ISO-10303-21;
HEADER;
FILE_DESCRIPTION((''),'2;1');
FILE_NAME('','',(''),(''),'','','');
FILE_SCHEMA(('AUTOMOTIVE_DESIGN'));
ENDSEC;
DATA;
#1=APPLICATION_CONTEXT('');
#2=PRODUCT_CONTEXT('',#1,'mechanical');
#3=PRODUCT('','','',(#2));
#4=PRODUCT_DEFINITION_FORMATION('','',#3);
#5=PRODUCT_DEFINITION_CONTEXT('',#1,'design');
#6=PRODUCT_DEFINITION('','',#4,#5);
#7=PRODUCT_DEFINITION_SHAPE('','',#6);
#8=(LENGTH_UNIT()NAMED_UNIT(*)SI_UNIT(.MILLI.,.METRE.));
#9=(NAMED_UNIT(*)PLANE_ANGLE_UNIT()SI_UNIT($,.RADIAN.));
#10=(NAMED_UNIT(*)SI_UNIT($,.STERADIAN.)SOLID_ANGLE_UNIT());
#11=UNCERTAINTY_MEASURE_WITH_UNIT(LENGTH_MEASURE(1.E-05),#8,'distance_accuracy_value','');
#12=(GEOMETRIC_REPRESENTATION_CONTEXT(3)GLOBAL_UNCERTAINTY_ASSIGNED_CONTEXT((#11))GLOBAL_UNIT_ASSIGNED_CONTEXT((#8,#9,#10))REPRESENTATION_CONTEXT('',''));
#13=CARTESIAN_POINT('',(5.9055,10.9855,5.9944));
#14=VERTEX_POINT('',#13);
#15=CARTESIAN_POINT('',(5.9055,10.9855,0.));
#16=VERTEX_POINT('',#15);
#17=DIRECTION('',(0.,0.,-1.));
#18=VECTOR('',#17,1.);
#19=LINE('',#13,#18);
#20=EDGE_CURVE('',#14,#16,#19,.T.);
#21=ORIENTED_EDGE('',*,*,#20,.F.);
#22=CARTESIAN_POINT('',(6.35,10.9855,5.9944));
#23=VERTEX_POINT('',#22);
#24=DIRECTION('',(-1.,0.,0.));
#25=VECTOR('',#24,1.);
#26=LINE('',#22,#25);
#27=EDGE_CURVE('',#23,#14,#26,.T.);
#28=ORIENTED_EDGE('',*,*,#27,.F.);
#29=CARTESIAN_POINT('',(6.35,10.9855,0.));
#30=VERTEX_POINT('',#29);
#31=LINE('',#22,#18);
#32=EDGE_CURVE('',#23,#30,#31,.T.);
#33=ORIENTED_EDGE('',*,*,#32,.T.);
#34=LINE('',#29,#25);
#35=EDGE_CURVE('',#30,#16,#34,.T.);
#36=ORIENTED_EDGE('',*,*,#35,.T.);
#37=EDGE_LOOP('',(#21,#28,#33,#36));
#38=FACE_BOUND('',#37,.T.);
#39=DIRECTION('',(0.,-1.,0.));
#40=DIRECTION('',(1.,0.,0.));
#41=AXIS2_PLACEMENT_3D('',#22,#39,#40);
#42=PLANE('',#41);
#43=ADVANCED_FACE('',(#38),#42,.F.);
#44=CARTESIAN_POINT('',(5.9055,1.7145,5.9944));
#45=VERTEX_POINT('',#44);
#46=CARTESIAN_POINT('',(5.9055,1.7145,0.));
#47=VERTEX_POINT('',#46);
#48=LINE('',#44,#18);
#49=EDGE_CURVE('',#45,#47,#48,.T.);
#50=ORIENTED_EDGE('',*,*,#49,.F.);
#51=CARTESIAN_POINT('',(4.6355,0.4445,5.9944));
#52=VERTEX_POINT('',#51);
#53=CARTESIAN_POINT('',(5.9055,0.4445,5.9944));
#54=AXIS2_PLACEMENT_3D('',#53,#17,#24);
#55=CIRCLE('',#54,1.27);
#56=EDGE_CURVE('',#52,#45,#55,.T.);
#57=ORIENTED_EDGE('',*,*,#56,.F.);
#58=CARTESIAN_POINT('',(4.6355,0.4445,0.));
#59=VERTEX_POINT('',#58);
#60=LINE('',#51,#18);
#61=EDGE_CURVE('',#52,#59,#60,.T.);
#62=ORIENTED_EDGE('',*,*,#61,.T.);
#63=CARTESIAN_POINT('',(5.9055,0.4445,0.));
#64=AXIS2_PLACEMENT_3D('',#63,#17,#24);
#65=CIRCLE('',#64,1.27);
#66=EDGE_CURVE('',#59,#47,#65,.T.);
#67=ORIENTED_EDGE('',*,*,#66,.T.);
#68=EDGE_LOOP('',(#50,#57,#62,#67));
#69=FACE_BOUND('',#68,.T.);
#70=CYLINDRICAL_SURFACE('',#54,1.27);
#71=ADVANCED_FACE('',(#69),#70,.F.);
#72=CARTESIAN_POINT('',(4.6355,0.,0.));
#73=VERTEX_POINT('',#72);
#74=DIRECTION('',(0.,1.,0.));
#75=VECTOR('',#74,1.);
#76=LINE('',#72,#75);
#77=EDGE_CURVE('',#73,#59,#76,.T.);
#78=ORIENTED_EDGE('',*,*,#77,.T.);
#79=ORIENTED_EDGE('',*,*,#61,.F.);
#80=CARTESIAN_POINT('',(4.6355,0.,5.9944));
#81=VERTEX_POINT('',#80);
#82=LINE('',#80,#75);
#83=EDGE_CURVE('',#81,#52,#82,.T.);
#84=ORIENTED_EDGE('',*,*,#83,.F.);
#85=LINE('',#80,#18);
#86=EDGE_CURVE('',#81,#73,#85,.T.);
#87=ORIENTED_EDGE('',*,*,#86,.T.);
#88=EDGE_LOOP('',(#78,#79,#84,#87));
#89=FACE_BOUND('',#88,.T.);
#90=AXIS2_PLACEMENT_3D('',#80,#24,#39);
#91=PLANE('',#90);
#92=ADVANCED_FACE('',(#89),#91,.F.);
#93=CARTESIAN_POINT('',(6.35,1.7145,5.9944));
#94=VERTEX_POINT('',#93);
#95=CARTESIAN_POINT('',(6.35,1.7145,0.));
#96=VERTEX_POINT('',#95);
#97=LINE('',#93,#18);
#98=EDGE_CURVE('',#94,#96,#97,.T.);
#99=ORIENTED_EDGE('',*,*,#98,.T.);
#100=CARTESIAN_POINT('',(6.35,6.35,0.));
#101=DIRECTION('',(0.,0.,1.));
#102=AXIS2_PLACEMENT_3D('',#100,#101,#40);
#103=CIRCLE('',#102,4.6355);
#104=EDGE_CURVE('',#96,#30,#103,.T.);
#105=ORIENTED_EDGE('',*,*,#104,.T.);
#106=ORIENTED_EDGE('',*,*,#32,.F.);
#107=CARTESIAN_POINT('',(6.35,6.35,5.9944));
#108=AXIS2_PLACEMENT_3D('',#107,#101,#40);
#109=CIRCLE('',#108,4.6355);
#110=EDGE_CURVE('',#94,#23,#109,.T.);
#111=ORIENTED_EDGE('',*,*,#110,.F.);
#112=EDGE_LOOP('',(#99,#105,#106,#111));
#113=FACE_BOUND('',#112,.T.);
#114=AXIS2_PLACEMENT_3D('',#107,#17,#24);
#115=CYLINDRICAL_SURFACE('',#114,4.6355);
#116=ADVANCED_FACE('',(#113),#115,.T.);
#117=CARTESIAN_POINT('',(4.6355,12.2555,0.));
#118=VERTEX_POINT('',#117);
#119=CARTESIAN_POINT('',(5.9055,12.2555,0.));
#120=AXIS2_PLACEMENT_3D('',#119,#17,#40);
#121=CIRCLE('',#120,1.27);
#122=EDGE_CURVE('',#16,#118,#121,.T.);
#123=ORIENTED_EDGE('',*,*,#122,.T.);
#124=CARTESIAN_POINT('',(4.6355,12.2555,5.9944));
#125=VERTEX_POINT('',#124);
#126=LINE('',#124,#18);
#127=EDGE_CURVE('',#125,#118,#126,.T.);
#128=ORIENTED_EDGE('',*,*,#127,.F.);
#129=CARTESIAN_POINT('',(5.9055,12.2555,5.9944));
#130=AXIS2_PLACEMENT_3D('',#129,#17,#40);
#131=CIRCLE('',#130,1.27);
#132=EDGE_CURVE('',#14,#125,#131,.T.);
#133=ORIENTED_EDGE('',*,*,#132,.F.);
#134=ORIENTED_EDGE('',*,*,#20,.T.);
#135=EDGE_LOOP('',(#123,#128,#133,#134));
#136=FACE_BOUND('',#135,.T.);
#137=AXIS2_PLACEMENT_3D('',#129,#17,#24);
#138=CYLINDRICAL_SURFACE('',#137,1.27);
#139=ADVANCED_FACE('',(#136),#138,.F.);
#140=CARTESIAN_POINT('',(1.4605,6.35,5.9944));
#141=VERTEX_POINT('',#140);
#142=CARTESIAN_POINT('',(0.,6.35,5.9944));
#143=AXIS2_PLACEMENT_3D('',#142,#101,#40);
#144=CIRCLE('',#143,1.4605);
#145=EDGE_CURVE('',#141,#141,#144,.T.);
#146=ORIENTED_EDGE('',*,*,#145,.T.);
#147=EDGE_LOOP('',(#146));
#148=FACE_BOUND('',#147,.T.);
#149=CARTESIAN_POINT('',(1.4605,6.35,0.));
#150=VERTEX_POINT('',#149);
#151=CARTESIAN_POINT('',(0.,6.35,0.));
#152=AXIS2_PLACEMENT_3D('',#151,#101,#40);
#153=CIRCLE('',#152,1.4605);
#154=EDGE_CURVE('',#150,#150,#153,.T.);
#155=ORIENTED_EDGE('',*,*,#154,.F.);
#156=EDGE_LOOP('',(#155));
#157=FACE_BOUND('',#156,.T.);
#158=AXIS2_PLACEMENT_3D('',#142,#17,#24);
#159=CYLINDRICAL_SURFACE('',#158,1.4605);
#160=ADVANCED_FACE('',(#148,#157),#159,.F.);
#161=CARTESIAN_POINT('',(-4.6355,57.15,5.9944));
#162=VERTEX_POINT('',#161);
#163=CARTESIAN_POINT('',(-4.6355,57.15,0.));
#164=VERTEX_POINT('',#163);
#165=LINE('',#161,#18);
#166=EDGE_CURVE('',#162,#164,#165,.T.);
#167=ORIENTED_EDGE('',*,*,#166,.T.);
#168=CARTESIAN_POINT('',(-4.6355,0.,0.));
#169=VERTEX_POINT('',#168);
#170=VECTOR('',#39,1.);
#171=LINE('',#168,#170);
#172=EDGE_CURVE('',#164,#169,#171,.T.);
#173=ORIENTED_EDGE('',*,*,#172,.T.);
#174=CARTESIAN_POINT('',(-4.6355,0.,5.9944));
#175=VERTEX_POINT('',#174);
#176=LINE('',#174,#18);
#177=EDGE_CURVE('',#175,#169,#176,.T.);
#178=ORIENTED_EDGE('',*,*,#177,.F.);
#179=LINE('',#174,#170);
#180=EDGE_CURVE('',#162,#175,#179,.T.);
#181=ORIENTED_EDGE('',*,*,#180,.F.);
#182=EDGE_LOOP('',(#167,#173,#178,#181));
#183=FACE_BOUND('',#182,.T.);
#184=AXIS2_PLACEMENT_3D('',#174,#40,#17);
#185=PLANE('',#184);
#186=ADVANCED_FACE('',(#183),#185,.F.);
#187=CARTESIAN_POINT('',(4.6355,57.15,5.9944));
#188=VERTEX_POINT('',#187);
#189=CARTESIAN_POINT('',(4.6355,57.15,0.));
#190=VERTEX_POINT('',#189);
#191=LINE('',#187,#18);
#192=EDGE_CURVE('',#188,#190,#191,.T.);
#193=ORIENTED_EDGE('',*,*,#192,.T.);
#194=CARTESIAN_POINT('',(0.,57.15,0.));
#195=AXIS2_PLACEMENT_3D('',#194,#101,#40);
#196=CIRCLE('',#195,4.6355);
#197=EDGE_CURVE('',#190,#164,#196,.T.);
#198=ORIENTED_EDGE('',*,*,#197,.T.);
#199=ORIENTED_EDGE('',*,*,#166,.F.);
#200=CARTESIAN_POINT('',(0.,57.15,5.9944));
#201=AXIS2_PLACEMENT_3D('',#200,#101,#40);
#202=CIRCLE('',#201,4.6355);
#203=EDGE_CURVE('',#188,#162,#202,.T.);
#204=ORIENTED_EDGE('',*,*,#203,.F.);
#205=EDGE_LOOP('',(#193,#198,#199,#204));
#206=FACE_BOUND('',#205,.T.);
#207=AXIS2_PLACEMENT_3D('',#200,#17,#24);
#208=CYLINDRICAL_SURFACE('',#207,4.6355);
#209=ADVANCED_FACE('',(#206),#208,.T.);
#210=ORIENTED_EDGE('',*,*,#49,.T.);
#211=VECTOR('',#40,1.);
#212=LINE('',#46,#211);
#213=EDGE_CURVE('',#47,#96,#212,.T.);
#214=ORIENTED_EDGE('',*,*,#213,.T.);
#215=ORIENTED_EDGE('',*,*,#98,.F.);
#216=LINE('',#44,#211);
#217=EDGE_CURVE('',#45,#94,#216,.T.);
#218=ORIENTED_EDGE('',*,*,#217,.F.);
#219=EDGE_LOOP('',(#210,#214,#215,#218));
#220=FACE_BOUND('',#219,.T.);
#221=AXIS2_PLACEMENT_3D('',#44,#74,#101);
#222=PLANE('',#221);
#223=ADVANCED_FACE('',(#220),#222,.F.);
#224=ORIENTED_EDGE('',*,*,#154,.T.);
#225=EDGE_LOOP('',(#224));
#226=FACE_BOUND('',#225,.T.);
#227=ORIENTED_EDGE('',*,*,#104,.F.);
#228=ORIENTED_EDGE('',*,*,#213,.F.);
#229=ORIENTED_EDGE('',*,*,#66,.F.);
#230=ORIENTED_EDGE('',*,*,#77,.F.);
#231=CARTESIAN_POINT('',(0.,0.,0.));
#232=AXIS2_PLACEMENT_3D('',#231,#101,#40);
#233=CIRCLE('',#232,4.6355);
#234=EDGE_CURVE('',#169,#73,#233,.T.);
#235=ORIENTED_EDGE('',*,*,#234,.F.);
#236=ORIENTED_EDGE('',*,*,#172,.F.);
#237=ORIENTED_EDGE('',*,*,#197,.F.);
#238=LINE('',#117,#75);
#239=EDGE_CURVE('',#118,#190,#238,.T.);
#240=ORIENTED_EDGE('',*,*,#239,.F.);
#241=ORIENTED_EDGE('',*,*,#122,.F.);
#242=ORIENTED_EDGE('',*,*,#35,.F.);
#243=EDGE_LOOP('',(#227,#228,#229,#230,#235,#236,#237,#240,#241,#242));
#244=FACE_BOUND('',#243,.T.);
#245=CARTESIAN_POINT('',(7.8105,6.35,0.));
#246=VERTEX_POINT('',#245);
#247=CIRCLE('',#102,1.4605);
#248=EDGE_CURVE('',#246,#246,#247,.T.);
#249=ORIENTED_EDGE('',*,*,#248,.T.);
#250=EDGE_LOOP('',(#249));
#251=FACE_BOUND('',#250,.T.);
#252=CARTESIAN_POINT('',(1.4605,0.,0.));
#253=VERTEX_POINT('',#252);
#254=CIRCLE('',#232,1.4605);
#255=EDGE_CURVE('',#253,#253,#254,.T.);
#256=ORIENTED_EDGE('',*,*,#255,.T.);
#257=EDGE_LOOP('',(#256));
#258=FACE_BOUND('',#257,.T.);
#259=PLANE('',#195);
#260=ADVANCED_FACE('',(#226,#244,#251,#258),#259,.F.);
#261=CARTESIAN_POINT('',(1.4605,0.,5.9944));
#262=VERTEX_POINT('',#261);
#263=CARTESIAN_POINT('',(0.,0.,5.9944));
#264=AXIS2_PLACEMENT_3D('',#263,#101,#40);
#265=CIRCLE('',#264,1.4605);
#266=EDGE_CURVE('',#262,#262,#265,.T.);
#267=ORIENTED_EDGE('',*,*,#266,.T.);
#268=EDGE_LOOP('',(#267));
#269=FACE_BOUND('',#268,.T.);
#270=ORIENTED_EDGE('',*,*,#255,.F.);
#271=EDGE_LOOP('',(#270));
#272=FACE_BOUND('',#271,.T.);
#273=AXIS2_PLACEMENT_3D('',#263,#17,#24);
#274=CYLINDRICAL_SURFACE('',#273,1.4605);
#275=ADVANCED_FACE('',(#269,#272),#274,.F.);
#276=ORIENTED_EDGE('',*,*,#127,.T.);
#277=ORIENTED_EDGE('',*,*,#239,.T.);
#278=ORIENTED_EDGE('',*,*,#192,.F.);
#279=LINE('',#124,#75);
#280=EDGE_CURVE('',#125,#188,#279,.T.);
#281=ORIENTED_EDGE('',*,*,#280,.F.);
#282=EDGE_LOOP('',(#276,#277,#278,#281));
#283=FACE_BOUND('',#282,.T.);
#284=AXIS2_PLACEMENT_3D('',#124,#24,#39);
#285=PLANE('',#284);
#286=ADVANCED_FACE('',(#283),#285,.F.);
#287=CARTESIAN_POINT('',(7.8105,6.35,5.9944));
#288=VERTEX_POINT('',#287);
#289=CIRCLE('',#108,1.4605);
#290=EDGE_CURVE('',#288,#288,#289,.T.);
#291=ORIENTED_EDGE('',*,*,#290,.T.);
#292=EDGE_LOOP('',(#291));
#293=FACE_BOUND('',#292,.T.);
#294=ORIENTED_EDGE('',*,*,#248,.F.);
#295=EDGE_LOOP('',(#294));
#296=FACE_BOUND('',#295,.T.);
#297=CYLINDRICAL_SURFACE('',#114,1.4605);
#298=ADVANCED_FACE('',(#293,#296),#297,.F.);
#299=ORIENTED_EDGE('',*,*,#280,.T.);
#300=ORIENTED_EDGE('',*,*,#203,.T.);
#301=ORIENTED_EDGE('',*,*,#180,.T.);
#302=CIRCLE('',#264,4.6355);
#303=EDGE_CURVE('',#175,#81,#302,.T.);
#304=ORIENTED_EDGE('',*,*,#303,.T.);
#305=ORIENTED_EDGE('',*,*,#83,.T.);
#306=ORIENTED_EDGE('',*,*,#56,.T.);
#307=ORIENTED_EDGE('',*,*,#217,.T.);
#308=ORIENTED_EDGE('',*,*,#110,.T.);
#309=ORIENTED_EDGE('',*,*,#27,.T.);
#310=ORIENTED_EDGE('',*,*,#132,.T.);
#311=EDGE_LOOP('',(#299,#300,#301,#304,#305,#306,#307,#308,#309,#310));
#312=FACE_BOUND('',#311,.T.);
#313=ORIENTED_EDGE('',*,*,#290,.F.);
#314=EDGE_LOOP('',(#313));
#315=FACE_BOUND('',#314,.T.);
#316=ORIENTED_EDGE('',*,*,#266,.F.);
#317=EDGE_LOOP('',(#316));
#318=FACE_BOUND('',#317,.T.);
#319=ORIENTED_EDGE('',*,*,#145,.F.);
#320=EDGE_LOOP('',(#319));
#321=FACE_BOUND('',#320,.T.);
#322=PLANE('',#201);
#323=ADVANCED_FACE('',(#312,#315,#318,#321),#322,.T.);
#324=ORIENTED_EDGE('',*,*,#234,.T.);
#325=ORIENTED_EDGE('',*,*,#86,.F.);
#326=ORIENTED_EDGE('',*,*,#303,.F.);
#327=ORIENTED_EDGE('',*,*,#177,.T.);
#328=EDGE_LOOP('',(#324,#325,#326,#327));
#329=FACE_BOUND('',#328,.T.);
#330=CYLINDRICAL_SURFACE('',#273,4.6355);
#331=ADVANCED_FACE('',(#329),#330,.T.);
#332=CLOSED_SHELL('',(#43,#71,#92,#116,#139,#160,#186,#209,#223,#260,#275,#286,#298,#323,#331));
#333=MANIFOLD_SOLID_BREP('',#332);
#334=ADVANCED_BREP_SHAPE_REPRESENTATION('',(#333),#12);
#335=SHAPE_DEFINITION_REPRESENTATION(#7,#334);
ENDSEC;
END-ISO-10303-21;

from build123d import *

# Parameters (mm, degrees)
SKETCH1_R           = 1.4605
BOSS_EXTRUDE1_DEPTH = 5.9944


with BuildPart() as part:
    # Sketch1 → Boss-Extrude1 (new body)
    with BuildSketch(Plane.XY):
        with BuildLine():
            Line((4.6355, 0), (4.6355, 0.4445))
            ThreePointArc((4.6355, 0.4445), (5.007474388, 1.342525612), (5.9055, 1.7145))
            Line((5.9055, 1.7145), (6.35, 1.7145))
            ThreePointArc((6.35, 1.7145), (10.9855, 6.35), (6.35, 10.9855))
            Line((6.35, 10.9855), (5.9055, 10.9855))
            ThreePointArc((5.9055, 10.9855), (5.007474388, 11.357474388), (4.6355, 12.2555))
            Line((4.6355, 12.2555), (4.6355, 57.15))
            ThreePointArc((4.6355, 57.15), (0, 61.7855), (-4.6355, 57.15))
            Line((-4.6355, 57.15), (-4.6355, 0))
            ThreePointArc((-4.6355, 0), (0, -4.6355), (4.6355, 0))
        make_face()
        Circle(SKETCH1_R, mode=Mode.SUBTRACT)
        with Locations((0, 6.35)):
            Circle(SKETCH1_R, mode=Mode.SUBTRACT)
        with Locations((6.35, 6.35)):
            Circle(SKETCH1_R, mode=Mode.SUBTRACT)
    extrude(amount=BOSS_EXTRUDE1_DEPTH)


solid = part.part
